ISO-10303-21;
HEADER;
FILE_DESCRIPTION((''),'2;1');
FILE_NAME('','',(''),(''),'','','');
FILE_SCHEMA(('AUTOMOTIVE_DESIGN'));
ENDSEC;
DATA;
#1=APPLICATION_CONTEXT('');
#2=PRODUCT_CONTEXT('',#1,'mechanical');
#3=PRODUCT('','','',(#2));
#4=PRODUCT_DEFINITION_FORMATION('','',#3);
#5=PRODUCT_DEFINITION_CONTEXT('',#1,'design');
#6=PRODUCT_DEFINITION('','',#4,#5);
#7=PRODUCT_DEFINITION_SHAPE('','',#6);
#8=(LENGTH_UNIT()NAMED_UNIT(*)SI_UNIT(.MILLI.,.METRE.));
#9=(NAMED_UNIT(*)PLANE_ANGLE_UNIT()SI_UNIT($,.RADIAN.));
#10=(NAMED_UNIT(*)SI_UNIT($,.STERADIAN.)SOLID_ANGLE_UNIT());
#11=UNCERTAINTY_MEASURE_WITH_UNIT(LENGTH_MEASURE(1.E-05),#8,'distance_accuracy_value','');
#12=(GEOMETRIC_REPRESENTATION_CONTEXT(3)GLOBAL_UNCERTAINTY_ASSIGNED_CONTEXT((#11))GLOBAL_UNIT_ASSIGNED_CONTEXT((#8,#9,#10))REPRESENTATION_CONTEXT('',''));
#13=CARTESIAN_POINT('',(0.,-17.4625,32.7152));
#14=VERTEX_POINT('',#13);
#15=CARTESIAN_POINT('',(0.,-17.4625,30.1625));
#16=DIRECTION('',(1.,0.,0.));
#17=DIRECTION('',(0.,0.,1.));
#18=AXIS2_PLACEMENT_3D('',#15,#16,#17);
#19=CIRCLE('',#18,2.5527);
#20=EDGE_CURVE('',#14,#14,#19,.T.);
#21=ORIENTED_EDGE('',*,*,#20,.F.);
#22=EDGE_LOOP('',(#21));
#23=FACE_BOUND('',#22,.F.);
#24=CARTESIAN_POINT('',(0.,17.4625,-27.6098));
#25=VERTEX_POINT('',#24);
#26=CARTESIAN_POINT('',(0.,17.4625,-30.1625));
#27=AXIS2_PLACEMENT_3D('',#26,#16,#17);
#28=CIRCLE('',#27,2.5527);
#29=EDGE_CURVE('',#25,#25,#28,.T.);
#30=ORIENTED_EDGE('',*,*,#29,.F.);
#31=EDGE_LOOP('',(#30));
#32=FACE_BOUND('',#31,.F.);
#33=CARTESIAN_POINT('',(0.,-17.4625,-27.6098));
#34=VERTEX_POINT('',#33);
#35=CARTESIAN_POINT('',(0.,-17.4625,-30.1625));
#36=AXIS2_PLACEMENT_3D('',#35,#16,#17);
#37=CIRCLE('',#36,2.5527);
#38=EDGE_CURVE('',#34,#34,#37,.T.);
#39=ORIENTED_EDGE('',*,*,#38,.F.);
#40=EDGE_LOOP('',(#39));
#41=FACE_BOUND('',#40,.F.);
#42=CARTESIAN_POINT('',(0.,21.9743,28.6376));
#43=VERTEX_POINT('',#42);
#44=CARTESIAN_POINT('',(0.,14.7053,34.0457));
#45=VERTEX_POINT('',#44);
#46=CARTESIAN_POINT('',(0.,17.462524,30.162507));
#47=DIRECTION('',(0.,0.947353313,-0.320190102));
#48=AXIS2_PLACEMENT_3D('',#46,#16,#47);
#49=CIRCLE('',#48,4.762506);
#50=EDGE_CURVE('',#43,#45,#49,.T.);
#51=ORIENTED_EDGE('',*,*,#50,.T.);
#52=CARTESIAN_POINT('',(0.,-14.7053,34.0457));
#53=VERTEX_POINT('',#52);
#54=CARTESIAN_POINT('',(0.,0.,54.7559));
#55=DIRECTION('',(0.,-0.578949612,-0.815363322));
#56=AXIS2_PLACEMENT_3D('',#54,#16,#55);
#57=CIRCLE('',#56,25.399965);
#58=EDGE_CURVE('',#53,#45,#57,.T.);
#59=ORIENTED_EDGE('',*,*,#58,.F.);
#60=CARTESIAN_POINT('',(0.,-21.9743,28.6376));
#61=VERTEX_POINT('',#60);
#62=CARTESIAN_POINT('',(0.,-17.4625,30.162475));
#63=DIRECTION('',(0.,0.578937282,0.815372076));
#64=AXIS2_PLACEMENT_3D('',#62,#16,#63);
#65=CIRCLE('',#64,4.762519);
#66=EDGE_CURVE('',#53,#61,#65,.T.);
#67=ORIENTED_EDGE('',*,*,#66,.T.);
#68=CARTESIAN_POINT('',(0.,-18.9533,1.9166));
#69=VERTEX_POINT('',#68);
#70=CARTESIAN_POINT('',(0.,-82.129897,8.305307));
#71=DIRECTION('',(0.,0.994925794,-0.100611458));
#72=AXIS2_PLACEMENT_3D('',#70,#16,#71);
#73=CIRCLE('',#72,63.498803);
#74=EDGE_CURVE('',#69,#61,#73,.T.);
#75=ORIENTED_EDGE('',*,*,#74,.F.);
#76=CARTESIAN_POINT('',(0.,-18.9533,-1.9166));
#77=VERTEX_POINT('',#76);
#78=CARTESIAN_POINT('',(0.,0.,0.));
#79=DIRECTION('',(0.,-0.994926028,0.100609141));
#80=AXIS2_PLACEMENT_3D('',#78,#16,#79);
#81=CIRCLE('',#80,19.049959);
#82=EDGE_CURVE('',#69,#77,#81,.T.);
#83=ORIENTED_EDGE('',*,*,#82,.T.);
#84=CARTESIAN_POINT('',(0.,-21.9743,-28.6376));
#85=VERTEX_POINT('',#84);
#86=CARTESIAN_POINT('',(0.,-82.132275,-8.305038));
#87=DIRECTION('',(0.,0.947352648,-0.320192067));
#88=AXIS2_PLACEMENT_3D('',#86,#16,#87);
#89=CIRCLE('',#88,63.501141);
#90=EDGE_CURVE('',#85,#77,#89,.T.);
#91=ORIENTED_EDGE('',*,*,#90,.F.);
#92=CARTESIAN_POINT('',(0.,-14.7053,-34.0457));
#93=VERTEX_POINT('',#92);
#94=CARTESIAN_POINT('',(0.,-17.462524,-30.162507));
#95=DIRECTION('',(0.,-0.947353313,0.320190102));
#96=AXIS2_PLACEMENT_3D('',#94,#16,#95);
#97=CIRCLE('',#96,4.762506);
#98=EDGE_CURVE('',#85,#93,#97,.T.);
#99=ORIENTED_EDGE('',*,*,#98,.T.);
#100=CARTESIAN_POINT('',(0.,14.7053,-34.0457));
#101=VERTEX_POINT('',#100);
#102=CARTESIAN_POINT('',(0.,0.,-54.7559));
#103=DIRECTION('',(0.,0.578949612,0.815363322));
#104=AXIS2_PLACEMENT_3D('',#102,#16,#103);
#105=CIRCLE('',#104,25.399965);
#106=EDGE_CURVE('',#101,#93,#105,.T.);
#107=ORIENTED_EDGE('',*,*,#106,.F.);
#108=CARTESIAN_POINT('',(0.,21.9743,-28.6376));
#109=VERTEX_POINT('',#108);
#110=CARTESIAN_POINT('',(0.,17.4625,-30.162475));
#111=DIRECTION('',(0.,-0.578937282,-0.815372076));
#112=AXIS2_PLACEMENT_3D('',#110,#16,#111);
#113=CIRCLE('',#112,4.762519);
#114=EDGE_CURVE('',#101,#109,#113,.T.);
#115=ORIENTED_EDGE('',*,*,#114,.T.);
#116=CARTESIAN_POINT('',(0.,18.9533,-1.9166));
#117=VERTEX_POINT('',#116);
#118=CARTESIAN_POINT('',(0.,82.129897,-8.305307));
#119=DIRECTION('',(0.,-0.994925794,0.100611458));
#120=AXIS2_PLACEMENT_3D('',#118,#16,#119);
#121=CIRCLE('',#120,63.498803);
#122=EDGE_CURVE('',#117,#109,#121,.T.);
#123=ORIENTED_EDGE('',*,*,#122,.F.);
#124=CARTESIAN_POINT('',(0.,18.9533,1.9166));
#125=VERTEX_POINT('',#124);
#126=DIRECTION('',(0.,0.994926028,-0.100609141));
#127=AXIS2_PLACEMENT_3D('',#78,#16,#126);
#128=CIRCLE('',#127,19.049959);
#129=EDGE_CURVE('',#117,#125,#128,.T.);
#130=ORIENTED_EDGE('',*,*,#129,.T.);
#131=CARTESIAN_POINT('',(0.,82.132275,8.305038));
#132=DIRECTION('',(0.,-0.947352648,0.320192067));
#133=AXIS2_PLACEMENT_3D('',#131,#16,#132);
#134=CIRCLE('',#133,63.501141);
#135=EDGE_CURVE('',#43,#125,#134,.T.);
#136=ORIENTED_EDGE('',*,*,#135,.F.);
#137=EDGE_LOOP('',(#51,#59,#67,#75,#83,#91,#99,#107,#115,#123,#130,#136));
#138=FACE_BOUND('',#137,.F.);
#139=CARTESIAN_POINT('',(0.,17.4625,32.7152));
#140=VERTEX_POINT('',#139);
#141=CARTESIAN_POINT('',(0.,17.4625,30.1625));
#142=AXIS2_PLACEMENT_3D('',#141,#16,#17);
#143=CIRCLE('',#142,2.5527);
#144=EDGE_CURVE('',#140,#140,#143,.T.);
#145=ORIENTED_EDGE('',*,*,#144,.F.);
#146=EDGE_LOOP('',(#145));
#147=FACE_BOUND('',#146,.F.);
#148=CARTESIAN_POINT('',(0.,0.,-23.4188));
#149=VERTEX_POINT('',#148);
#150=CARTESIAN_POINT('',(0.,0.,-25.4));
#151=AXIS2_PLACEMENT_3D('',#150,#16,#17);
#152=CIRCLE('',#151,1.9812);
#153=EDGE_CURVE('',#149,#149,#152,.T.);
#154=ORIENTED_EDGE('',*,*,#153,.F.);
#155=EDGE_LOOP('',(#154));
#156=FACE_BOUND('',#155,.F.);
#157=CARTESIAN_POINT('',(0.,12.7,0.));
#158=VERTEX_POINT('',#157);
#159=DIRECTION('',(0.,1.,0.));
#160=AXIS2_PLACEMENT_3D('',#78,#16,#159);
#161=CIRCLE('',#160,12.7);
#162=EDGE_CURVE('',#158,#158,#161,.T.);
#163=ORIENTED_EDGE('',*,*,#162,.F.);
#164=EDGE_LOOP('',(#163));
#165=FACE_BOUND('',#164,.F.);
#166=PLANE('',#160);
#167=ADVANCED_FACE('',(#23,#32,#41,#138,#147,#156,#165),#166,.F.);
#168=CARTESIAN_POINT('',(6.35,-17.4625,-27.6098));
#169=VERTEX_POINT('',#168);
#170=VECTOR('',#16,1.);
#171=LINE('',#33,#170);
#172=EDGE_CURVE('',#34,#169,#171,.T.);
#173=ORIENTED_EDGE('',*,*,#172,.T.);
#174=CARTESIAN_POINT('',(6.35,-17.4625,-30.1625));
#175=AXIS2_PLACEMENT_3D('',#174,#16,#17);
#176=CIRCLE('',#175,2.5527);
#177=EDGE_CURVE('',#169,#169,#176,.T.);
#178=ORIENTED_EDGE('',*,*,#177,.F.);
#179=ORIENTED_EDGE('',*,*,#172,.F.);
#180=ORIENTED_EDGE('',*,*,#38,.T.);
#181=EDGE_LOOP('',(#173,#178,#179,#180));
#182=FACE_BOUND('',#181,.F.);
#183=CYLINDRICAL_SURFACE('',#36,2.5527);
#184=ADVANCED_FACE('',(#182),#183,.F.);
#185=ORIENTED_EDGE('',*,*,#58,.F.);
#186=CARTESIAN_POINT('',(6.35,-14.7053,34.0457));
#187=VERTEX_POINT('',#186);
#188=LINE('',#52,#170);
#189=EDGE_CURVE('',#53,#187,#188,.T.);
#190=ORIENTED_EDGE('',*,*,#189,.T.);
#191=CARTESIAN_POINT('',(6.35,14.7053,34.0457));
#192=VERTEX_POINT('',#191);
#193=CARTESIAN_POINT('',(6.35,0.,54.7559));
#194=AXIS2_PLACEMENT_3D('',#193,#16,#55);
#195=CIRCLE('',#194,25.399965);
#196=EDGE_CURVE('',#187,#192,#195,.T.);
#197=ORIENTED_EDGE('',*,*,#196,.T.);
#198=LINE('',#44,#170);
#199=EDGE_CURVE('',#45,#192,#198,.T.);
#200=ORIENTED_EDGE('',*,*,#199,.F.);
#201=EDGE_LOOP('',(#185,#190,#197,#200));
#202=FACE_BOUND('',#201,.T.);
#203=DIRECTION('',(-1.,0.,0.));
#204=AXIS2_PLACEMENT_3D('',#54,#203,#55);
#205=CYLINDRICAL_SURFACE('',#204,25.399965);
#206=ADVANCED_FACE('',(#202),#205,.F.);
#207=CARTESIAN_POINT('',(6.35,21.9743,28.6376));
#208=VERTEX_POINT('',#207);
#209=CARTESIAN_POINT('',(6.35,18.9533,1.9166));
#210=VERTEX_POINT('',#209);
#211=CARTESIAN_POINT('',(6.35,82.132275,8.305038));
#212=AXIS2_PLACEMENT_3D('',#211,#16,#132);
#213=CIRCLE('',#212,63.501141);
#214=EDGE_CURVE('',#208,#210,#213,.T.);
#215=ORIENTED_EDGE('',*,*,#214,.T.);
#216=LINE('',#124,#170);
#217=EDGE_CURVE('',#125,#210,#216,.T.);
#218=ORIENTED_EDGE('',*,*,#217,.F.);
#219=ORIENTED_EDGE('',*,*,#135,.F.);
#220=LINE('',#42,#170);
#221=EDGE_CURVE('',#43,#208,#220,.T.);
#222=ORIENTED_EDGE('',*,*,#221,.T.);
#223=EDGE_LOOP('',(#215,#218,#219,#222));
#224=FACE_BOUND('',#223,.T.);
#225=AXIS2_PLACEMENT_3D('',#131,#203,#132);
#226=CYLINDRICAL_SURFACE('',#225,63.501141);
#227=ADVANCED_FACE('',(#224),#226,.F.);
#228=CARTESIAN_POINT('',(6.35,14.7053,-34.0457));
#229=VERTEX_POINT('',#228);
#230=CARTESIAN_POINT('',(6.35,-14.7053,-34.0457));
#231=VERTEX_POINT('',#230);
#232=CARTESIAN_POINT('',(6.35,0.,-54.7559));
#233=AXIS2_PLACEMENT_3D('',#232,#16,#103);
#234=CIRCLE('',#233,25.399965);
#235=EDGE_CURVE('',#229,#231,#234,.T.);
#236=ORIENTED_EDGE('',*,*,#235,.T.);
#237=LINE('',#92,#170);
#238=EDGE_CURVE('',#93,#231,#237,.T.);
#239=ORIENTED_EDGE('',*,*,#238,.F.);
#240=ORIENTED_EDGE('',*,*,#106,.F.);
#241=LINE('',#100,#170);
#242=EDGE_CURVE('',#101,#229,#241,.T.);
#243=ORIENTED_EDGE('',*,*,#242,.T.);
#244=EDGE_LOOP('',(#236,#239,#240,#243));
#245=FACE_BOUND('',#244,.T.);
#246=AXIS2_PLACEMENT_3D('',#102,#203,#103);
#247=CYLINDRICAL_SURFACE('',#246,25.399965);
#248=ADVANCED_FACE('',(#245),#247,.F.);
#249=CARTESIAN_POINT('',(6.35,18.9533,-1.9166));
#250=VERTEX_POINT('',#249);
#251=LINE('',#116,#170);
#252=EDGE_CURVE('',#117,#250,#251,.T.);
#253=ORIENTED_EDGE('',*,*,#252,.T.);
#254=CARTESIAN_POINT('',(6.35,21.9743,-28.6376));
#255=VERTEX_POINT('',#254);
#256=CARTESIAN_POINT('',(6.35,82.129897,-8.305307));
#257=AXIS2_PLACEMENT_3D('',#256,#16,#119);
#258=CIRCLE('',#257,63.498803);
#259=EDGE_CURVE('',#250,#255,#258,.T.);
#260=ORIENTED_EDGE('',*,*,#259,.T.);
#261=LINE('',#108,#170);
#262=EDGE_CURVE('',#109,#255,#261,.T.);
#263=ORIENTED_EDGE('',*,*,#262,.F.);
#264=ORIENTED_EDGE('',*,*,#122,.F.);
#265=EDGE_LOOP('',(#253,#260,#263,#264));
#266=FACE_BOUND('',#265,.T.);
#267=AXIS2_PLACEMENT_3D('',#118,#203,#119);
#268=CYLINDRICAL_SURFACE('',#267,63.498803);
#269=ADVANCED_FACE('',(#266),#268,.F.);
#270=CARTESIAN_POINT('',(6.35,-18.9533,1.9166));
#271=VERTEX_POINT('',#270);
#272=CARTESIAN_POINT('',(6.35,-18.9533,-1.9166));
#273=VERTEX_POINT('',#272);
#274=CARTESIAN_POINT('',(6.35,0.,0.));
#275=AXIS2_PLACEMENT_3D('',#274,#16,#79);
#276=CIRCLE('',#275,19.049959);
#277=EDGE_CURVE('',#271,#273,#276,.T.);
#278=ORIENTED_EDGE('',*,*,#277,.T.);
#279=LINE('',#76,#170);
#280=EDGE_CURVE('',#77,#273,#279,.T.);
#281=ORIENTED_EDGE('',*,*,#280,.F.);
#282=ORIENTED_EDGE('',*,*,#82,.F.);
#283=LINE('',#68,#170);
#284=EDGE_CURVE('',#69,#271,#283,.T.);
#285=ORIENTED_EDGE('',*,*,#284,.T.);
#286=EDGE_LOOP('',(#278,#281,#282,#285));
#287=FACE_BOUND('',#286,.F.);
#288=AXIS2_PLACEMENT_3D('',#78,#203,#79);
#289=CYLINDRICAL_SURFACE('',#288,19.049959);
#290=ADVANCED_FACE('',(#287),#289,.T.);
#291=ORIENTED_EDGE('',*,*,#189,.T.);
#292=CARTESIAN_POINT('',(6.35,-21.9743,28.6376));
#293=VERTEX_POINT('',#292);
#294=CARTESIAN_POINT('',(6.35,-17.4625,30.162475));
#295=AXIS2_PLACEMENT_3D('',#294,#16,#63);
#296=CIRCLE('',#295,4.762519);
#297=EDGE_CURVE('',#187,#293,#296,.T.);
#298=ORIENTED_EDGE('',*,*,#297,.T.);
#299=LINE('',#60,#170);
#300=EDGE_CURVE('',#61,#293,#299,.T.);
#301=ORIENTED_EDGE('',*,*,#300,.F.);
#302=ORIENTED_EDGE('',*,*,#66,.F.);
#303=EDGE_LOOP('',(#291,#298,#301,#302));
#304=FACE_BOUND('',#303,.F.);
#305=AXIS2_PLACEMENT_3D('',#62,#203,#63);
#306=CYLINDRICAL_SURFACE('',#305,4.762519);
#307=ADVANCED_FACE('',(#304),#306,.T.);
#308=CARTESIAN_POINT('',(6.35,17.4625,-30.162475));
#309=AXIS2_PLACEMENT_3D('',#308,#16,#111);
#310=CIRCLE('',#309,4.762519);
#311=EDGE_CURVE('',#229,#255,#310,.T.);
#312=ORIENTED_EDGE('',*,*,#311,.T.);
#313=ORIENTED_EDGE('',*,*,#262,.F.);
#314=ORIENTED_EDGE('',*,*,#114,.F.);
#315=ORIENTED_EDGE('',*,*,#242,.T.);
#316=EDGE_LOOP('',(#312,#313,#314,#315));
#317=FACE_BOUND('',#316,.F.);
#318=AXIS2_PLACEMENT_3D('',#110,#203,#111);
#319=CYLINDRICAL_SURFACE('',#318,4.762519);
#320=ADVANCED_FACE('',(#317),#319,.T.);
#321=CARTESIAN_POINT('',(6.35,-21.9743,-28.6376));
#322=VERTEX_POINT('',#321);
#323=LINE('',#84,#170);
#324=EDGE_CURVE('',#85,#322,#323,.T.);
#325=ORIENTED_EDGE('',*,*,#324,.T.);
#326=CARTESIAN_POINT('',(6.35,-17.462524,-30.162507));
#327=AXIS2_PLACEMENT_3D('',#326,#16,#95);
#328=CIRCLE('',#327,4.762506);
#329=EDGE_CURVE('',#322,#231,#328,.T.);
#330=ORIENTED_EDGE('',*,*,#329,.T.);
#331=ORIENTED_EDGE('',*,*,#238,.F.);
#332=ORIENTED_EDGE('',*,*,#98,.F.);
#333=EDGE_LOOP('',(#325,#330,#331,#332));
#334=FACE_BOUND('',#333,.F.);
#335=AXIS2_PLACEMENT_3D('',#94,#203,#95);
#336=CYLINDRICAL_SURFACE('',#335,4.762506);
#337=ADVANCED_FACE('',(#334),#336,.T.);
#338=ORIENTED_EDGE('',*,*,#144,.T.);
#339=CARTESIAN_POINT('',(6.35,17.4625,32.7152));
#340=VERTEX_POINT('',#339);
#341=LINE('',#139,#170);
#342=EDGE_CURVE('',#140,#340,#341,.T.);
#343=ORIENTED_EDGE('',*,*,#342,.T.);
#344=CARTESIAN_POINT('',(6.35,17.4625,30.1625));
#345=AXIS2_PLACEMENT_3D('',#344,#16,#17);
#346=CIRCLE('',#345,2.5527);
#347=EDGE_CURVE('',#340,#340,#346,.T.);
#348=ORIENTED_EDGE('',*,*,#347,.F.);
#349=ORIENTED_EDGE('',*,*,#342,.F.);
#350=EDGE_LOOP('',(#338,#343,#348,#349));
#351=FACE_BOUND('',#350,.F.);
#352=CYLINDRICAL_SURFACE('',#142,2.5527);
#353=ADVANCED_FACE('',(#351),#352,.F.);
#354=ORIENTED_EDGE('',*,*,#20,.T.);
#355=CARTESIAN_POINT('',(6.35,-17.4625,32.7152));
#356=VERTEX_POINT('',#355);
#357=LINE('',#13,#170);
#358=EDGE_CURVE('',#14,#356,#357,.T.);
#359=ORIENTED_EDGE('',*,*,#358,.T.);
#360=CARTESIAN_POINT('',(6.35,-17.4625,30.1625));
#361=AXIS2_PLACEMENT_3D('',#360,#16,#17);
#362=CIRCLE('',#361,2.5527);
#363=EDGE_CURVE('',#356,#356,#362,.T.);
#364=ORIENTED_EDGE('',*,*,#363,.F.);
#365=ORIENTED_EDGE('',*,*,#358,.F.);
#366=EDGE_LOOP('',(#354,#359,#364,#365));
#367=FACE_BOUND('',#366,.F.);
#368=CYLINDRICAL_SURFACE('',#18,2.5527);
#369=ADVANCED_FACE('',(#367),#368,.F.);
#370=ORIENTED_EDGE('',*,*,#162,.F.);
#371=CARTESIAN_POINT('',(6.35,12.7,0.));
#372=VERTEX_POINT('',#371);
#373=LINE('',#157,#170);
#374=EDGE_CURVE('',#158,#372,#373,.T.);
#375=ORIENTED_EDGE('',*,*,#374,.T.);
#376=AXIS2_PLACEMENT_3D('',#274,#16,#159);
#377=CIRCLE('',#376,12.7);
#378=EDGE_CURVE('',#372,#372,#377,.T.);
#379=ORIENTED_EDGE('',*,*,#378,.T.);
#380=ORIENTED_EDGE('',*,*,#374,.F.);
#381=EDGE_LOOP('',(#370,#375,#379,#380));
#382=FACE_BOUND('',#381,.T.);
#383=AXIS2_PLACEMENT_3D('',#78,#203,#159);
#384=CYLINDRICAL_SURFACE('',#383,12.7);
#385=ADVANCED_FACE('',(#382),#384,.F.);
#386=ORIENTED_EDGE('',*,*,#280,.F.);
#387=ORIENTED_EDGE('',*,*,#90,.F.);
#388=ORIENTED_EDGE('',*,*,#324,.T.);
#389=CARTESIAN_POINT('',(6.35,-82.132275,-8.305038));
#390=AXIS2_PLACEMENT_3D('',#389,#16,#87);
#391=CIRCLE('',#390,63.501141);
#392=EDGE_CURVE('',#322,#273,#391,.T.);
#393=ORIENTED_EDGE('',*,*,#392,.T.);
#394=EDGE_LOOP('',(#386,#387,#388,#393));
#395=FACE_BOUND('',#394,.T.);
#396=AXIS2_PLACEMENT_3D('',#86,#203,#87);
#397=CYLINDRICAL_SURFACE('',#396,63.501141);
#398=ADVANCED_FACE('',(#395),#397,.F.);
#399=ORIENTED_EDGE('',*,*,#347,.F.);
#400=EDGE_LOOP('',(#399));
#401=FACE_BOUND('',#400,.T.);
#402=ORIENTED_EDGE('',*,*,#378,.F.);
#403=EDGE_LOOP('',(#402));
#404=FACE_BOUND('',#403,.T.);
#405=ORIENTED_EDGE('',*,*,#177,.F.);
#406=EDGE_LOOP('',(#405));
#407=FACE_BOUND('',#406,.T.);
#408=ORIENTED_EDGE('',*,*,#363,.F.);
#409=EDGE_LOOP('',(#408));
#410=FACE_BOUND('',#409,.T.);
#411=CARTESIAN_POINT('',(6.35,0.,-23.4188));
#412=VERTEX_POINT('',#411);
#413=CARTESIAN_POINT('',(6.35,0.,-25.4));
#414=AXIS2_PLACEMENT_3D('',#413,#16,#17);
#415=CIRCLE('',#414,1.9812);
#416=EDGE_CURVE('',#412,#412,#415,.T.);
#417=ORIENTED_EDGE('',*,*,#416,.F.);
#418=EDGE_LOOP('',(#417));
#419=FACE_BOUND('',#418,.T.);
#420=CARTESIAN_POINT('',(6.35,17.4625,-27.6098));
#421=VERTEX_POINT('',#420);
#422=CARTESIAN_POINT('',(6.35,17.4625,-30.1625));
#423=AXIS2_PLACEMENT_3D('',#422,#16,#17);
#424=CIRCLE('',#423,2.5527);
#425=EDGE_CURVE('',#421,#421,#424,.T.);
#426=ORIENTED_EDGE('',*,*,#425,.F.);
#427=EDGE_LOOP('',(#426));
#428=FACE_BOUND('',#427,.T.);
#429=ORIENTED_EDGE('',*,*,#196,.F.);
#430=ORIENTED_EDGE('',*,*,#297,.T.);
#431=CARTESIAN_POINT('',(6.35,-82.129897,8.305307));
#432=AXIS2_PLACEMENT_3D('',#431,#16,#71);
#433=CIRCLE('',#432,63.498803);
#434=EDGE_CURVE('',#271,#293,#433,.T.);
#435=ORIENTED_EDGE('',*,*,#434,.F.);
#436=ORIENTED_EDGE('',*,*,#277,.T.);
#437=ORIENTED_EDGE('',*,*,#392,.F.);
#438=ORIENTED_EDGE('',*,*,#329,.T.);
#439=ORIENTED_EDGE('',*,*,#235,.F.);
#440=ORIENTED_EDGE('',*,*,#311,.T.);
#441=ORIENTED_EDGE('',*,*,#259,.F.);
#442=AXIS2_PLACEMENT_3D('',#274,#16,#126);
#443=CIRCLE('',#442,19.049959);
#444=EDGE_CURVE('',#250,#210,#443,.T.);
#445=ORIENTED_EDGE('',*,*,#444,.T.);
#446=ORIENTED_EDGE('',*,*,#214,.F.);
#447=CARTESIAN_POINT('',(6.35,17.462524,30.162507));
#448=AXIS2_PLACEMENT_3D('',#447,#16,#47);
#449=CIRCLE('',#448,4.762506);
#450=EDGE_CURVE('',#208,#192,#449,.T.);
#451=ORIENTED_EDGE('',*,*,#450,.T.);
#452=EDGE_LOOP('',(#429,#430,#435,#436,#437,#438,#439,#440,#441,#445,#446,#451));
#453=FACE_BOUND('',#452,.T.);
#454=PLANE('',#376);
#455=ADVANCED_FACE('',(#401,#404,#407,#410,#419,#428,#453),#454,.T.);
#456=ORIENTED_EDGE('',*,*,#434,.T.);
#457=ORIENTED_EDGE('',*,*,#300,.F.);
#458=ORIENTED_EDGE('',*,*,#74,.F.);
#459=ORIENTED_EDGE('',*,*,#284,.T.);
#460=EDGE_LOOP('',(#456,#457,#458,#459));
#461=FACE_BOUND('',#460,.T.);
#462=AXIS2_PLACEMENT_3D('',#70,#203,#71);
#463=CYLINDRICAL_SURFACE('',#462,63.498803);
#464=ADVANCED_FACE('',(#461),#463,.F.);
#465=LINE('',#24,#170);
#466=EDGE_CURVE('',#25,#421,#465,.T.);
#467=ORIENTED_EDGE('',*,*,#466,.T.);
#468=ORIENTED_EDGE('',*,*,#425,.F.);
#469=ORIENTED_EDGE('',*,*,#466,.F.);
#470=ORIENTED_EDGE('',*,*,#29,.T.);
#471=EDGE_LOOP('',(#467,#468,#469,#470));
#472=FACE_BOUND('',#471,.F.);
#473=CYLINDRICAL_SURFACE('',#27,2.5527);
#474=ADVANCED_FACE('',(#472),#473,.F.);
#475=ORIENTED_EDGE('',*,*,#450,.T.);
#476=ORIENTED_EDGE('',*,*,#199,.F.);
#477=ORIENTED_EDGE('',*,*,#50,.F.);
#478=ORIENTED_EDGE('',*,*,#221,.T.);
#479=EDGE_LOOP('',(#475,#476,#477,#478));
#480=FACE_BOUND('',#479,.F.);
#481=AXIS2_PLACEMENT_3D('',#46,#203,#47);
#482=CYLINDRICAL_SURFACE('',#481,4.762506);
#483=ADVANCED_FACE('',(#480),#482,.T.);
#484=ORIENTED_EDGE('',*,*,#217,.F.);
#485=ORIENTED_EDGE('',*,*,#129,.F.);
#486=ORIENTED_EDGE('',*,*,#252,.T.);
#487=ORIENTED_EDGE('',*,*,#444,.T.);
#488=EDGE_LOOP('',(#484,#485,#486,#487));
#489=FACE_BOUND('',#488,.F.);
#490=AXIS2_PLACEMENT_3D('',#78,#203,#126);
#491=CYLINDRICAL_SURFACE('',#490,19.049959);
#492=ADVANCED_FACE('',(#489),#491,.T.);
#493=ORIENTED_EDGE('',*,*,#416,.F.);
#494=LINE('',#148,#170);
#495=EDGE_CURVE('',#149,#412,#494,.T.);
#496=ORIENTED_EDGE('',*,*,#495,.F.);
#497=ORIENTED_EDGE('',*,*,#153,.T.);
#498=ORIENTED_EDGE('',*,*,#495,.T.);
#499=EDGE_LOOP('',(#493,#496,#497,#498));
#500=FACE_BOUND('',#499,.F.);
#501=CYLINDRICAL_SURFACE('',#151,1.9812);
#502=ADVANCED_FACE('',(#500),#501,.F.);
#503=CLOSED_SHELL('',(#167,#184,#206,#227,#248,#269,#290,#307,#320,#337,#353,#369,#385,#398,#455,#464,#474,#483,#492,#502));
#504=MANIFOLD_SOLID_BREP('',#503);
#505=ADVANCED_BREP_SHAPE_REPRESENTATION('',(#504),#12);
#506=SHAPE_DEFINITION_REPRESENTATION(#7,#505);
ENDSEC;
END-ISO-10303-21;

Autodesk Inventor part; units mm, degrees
ref_plane "YZ Plane" through (0, 0, 0) normal (1, 0, 0) x (0, 1, 0)
ref_plane "XZ Plane" through (0, 0, 0) normal (0, 1, 0) x (-1, 0, 0)
ref_plane "XY Plane" through (0, 0, 0) normal (0, 0, 1) x (1, 0, 0)
sketch "Sketch1" plane through (0, 0, 0) normal (1, 0, 0) x (0, 1, 0)
  line L0 (-17.4625, -30.1625) -> (17.4625, -30.1625) construction
  line L1 (17.4625, -30.1625) -> (17.4625, 30.1625) construction
  line L2 (17.4625, 30.1625) -> (-17.4625, 30.1625) construction
  line L3 (-17.4625, 30.1625) -> (-17.4625, -30.1625) construction
  line L4 (-17.4625, -30.1625) -> (17.4625, 30.1625) construction
  line L5 (17.4625, -30.1625) -> (-17.4625, 30.1625) construction
  circle A0 centre (17.4625, 30.1625) radius 4.7625 construction
  circle A1 centre (-17.4625, 30.1625) radius 4.7625 construction
  circle A2 centre (-17.4625, -30.1625) radius 4.7625 construction
  circle A3 centre (17.4625, -30.1625) radius 4.7625 construction
  circle A4 centre (0, 0) radius 12.7
  circle A5 centre (0, 0) radius 19.05 construction
  arc A6 (21.9743, 28.6376) -> (18.9533, 1.9166) centre (82.1311, 8.3053) ccw
  arc A7 (18.9533, -1.9166) -> (21.9743, -28.6376) centre (82.1311, -8.3053) ccw
  arc A8 (14.7053, -34.0457) -> (-14.7053, -34.0457) centre (0, -54.7559) ccw
  arc A9 (-21.9743, -28.6376) -> (-18.9533, -1.9166) centre (-82.1311, -8.3053) ccw
  arc A10 (-18.9533, 1.9166) -> (-21.9743, 28.6376) centre (-82.1311, 8.3053) ccw
  arc A11 (-14.7053, 34.0457) -> (14.7053, 34.0457) centre (0, 54.7559) ccw
  arc A12 (21.9743, 28.6376) -> (14.7053, 34.0457) centre (17.4625, 30.1625) ccw
  arc A13 (14.7053, -34.0457) -> (21.9743, -28.6376) centre (17.4625, -30.1625) ccw
  arc A14 (-21.9743, -28.6376) -> (-14.7053, -34.0457) centre (-17.4625, -30.1625) ccw
  arc A15 (-14.7053, 34.0457) -> (-21.9743, 28.6376) centre (-17.4625, 30.1625) ccw
  arc A16 (-18.9533, 1.9166) -> (-18.9533, -1.9166) centre (0, 0) ccw
  arc A17 (18.9533, -1.9166) -> (18.9533, 1.9166) centre (0, 0) ccw
  point P0 (0, 0)
  point P1 (0, 0)
  point P2 (0, -25.4)
  point P3 (14.7053, -34.0457)
  dimension "d1" = 34.925
  dimension "d2" = 60.325
  dimension "d3" = 25.4
  dimension "d4" = 9.525
  dimension "d5" = 25.4
  dimension "d6" = 6.35
  dimension "d7" = 63.5
  dimension "d8" = 25.4
extrude "Extrusion1" add sketch "Sketch1" along normal blind 6.35
hole "Hole1" at (0, 17.4625, 30.1625) at (0, 17.4625, -30.1625) at (0, -17.4625, -30.1625) at (0, -17.4625, 30.1625) direction (1, 0, 0) diameter 5.1054 end through all
hole "Hole2" at (0, 0, -25.4) direction (1, 0, 0) diameter 3.9624 end through all
properties part number "AR-021" material "Aluminum 6061"
